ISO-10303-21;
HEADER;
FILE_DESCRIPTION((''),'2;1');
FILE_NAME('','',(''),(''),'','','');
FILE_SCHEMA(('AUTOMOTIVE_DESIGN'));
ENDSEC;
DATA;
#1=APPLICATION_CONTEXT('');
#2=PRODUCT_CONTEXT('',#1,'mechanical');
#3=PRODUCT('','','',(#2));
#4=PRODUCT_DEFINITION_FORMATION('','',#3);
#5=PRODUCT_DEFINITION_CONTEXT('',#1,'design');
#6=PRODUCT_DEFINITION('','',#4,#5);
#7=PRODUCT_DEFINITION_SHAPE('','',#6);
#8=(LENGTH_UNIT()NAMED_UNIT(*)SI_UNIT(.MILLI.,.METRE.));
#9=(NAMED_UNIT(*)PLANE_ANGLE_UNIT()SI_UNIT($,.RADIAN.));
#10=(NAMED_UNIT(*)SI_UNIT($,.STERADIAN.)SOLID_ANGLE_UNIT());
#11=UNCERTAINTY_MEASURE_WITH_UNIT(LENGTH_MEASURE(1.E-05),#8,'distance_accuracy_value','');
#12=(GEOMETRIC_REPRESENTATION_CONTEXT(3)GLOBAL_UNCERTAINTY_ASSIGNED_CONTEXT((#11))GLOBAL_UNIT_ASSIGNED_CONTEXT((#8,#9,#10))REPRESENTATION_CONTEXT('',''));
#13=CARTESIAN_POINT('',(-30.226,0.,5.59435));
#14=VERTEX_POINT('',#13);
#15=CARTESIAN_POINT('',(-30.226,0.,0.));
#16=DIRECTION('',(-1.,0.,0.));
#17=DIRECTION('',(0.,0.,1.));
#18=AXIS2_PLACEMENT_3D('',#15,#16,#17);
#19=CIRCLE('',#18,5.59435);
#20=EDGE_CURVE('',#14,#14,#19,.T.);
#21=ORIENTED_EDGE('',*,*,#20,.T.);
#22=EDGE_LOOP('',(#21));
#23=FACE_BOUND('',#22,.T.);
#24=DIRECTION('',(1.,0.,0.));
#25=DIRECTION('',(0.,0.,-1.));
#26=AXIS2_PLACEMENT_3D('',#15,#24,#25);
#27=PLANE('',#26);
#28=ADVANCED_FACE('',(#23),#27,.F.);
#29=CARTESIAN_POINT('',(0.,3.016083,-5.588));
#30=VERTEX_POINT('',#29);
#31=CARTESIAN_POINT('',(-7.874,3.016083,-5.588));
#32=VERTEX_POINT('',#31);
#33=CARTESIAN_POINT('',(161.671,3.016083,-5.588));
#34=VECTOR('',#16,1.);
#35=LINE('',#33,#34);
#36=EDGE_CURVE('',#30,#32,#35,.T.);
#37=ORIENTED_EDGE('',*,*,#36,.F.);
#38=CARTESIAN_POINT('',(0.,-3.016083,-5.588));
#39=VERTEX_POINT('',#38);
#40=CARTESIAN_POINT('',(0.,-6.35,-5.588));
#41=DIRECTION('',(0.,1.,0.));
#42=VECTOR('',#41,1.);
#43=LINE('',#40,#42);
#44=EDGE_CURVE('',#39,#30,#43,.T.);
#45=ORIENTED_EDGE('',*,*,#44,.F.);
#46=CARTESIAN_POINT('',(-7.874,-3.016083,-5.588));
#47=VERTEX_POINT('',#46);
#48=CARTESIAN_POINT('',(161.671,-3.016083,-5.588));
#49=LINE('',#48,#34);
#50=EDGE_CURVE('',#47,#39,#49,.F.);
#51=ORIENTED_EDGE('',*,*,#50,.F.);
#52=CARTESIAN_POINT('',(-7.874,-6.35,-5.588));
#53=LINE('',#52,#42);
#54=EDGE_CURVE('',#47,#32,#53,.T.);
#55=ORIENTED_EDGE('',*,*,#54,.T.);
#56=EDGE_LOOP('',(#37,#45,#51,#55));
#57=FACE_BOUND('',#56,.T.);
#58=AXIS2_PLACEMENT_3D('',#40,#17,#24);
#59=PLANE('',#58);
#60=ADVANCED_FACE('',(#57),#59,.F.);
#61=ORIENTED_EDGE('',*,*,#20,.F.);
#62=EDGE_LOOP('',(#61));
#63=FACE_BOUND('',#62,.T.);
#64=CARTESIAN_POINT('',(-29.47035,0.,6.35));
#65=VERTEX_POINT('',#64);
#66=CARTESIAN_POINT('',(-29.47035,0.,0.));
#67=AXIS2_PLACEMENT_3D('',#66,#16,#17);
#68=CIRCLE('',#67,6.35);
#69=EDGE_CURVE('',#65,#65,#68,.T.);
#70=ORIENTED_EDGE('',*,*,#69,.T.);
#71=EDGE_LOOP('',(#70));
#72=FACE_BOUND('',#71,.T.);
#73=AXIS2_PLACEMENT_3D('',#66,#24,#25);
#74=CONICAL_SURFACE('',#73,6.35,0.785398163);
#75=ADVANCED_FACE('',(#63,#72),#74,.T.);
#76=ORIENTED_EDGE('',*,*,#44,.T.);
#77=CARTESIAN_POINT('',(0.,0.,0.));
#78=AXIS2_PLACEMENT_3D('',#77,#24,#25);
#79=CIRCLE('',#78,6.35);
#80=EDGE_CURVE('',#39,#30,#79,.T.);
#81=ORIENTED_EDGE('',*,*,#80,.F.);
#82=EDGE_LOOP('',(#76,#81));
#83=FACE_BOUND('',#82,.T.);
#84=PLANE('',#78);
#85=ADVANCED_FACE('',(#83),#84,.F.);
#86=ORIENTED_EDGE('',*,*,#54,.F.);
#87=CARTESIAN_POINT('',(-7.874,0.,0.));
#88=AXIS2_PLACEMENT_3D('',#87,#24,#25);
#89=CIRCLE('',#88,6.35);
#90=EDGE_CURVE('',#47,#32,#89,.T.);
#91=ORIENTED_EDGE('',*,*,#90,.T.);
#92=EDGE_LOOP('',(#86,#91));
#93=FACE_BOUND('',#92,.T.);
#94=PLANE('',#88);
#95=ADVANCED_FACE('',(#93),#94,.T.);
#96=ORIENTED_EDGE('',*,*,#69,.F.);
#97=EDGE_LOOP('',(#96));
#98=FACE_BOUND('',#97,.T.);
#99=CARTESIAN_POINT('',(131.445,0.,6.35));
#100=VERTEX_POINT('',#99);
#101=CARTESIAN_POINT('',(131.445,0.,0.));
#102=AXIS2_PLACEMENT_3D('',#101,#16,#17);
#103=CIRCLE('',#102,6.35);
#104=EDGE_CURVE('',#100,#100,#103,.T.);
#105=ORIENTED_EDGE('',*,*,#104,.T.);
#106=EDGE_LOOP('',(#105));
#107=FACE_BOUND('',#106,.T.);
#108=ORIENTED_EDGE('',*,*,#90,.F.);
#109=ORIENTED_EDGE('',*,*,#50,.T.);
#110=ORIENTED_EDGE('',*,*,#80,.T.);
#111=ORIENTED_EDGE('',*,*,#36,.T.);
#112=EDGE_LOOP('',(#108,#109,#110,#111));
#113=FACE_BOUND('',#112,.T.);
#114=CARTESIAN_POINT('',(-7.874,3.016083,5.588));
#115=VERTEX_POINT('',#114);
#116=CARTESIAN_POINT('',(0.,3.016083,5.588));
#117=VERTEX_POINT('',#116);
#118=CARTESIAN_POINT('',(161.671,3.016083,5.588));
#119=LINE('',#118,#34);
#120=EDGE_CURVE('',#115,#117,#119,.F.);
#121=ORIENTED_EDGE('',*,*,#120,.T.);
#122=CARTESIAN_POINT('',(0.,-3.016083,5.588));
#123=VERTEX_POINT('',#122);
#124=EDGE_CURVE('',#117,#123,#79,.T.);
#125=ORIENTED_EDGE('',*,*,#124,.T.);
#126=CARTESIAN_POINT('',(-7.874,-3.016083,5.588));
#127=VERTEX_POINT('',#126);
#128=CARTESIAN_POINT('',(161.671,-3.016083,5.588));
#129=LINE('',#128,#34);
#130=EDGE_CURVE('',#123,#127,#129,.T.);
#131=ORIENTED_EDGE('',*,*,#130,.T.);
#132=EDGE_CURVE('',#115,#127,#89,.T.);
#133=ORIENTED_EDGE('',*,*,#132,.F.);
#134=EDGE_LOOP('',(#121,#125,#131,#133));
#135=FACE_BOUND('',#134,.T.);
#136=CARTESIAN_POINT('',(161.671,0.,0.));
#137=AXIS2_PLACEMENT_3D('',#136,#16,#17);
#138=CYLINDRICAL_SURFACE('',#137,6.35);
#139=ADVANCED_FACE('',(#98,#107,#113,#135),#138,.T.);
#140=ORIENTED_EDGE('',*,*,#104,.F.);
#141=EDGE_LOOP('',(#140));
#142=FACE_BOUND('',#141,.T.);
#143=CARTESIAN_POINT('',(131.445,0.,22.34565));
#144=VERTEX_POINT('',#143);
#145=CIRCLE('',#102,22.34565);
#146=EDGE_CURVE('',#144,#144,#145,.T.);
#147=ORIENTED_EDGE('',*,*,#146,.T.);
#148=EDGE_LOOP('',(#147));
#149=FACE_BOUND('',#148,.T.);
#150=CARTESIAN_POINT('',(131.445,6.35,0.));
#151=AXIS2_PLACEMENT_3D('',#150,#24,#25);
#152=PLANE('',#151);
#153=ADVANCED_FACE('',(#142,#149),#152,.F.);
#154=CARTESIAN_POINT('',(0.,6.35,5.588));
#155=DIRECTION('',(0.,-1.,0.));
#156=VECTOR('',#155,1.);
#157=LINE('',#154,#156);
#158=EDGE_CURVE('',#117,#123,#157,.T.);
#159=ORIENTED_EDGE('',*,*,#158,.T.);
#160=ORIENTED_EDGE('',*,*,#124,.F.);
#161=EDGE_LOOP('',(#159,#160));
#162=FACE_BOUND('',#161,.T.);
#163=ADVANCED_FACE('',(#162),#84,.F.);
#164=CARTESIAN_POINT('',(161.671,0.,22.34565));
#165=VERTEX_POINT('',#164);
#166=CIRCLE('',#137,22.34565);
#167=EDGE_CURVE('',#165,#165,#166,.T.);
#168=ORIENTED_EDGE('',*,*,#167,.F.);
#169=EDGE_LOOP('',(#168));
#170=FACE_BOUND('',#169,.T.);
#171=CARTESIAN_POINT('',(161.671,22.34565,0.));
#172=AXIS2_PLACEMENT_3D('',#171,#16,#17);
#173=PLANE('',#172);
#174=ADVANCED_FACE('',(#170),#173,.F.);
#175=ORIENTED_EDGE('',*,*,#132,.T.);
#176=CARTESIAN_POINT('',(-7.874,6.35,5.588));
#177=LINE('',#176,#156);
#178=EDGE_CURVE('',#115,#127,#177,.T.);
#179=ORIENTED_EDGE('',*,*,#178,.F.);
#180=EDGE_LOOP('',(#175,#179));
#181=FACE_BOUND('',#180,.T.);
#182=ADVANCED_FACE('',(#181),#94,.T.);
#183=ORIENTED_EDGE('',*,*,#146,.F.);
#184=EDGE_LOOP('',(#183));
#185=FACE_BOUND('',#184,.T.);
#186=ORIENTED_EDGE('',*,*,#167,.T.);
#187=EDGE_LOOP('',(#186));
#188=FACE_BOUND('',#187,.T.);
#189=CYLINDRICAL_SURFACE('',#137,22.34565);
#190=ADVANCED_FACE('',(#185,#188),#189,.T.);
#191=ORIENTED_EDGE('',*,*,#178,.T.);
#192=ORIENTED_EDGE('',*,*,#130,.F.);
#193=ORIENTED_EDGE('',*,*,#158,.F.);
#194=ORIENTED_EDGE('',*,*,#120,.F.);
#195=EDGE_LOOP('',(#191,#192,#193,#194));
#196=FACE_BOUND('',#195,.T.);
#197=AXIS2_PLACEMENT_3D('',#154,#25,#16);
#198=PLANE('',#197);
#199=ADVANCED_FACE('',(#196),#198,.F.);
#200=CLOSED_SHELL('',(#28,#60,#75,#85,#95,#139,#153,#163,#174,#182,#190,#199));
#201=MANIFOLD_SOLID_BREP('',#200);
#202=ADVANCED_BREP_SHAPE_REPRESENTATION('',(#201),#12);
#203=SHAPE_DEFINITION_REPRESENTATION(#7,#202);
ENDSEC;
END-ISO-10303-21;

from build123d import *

# Parameters (mm, degrees)
SKETCH3_W          = 25.4
SKETCH3_H          = 25.4
SKETCH3_W_2        = 11.176
SKETCH3_H_2        = 12.7
CUT_EXTRUDE1_DEPTH = 7.874


with BuildPart() as part:
    # Sketch1 → Revolve1 (revolve)
    with BuildSketch(Plane.XY):
        Polygon((-7.874, 0), (-7.874, 6.35), (131.445, 6.35), (131.445, 22.34565), (161.671, 22.34565), (161.671, 0), align=None)
    revolve(axis=Axis((161.671, 0, 0), (-1, 0, 0)))

    # Sketch2 → Revolve2 (revolve)
    with BuildSketch(Plane.XY):
        Polygon((-30.226, 0), (-30.226, 5.59435), (-29.47035, 6.35), (-7.874, 6.35), (-7.874, 0), align=None)
    revolve(axis=Axis((-7.874, 0, 0), (-1, 0, 0)))

    # Sketch3 → Cut-Extrude1 (cut)
    with BuildSketch(Plane(origin=(-7.874, 0, 0), x_dir=(0, 0, -1), z_dir=(1, 0, 0))):
        Rectangle(SKETCH3_W, SKETCH3_H)
        Rectangle(SKETCH3_W_2, SKETCH3_H_2, mode=Mode.SUBTRACT)
    extrude(amount=CUT_EXTRUDE1_DEPTH, mode=Mode.SUBTRACT)


solid = part.part
